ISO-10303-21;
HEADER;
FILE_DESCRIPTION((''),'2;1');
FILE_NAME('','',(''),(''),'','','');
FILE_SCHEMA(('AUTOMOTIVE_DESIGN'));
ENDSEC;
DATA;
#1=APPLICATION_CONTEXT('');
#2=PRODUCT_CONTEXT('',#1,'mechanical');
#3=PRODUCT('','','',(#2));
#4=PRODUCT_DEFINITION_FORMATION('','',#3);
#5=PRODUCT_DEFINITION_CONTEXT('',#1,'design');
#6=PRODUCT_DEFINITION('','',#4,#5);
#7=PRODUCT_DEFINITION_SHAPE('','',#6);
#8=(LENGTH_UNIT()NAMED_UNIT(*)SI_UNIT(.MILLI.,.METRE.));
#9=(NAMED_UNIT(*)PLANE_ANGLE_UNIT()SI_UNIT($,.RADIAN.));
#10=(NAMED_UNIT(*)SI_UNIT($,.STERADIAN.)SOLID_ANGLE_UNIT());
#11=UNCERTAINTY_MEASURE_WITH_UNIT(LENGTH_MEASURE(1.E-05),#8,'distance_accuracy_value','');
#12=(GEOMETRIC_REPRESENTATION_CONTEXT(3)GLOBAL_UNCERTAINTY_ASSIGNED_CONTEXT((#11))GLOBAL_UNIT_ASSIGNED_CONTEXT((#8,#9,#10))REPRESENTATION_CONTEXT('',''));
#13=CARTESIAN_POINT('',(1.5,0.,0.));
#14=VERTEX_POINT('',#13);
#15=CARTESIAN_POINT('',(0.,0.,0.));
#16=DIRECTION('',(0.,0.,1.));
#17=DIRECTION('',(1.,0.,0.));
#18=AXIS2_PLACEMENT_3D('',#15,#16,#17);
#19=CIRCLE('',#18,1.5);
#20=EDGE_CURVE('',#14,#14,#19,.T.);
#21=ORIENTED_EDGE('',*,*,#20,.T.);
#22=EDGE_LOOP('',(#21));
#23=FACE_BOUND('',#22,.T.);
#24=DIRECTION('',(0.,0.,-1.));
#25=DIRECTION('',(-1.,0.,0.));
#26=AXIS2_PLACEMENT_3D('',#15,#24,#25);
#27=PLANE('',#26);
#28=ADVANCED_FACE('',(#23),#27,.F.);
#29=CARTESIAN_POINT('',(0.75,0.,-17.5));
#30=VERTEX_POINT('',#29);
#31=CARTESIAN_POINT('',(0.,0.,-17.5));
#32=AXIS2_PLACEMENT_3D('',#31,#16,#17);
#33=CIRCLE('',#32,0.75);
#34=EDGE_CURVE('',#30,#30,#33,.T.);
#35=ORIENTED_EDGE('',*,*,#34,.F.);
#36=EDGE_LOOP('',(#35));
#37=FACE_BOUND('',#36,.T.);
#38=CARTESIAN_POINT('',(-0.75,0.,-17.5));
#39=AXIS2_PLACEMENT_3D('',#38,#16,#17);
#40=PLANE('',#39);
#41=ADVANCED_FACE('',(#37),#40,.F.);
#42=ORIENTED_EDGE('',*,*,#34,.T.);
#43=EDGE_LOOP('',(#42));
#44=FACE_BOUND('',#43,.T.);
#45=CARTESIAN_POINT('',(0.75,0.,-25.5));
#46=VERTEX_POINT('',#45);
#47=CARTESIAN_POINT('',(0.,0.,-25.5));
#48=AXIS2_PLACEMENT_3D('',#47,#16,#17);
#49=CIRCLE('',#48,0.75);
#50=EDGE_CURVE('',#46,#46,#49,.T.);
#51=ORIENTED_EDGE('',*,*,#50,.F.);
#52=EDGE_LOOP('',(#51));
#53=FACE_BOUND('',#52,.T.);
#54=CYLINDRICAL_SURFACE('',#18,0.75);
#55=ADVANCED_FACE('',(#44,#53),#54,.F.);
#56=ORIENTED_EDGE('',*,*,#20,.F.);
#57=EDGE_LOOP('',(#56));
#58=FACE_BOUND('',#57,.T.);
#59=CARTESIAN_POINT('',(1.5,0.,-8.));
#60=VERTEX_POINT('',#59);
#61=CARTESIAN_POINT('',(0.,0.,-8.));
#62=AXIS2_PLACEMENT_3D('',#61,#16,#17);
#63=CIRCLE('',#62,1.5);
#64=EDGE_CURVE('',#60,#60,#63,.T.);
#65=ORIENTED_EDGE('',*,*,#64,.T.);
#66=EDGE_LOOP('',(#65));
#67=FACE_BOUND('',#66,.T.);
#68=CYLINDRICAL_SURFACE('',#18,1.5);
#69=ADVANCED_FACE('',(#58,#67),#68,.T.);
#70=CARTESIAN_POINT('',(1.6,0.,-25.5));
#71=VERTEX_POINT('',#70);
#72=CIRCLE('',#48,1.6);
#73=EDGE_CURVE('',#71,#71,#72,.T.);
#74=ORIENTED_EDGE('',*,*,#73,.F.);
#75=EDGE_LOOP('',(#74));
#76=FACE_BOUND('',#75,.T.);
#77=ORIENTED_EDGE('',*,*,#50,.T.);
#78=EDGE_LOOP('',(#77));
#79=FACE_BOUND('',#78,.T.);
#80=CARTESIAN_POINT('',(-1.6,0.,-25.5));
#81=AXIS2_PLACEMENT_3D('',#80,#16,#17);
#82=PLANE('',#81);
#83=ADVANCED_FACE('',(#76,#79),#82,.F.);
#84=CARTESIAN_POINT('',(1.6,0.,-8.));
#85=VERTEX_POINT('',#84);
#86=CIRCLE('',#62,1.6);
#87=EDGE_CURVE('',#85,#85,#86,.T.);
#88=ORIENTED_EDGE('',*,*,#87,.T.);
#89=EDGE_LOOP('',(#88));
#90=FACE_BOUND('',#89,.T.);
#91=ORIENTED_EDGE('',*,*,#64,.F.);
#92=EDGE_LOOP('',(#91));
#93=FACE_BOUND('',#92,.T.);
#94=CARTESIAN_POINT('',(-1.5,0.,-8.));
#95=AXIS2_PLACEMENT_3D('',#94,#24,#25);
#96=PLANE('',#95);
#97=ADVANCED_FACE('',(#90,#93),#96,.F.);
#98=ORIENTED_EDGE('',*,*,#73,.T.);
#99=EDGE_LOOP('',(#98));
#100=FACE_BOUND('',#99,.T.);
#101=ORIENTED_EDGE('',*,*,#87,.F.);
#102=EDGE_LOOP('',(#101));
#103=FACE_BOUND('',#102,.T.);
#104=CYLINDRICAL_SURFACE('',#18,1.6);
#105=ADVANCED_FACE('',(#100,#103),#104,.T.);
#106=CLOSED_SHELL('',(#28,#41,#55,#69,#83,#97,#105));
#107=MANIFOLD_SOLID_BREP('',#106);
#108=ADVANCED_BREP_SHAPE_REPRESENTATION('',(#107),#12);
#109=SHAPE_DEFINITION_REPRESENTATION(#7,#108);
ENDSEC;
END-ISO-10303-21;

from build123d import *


with BuildPart() as part:
    # Эскиз1 → Повернуть1 (revolve)
    with BuildSketch(Plane(origin=(0, 0, 0), x_dir=(1, 0, 0), z_dir=(0, 1, 0)), mode=Mode.PRIVATE) as revolve_1_sk:
        Polygon((0, 0), (-1.5, 0), (-1.5, 8), (-1.6, 8), (-1.6, 25.5), (-0.75, 25.5), (-0.75, 17.5), (0, 17.5), align=None)
    revolve(revolve_1_sk.sketch.rotate(Axis((0, 0, 0), (0, 0, -1)), 180), axis=Axis((0, 0, 0), (0, 0, -1)))


solid = part.part
